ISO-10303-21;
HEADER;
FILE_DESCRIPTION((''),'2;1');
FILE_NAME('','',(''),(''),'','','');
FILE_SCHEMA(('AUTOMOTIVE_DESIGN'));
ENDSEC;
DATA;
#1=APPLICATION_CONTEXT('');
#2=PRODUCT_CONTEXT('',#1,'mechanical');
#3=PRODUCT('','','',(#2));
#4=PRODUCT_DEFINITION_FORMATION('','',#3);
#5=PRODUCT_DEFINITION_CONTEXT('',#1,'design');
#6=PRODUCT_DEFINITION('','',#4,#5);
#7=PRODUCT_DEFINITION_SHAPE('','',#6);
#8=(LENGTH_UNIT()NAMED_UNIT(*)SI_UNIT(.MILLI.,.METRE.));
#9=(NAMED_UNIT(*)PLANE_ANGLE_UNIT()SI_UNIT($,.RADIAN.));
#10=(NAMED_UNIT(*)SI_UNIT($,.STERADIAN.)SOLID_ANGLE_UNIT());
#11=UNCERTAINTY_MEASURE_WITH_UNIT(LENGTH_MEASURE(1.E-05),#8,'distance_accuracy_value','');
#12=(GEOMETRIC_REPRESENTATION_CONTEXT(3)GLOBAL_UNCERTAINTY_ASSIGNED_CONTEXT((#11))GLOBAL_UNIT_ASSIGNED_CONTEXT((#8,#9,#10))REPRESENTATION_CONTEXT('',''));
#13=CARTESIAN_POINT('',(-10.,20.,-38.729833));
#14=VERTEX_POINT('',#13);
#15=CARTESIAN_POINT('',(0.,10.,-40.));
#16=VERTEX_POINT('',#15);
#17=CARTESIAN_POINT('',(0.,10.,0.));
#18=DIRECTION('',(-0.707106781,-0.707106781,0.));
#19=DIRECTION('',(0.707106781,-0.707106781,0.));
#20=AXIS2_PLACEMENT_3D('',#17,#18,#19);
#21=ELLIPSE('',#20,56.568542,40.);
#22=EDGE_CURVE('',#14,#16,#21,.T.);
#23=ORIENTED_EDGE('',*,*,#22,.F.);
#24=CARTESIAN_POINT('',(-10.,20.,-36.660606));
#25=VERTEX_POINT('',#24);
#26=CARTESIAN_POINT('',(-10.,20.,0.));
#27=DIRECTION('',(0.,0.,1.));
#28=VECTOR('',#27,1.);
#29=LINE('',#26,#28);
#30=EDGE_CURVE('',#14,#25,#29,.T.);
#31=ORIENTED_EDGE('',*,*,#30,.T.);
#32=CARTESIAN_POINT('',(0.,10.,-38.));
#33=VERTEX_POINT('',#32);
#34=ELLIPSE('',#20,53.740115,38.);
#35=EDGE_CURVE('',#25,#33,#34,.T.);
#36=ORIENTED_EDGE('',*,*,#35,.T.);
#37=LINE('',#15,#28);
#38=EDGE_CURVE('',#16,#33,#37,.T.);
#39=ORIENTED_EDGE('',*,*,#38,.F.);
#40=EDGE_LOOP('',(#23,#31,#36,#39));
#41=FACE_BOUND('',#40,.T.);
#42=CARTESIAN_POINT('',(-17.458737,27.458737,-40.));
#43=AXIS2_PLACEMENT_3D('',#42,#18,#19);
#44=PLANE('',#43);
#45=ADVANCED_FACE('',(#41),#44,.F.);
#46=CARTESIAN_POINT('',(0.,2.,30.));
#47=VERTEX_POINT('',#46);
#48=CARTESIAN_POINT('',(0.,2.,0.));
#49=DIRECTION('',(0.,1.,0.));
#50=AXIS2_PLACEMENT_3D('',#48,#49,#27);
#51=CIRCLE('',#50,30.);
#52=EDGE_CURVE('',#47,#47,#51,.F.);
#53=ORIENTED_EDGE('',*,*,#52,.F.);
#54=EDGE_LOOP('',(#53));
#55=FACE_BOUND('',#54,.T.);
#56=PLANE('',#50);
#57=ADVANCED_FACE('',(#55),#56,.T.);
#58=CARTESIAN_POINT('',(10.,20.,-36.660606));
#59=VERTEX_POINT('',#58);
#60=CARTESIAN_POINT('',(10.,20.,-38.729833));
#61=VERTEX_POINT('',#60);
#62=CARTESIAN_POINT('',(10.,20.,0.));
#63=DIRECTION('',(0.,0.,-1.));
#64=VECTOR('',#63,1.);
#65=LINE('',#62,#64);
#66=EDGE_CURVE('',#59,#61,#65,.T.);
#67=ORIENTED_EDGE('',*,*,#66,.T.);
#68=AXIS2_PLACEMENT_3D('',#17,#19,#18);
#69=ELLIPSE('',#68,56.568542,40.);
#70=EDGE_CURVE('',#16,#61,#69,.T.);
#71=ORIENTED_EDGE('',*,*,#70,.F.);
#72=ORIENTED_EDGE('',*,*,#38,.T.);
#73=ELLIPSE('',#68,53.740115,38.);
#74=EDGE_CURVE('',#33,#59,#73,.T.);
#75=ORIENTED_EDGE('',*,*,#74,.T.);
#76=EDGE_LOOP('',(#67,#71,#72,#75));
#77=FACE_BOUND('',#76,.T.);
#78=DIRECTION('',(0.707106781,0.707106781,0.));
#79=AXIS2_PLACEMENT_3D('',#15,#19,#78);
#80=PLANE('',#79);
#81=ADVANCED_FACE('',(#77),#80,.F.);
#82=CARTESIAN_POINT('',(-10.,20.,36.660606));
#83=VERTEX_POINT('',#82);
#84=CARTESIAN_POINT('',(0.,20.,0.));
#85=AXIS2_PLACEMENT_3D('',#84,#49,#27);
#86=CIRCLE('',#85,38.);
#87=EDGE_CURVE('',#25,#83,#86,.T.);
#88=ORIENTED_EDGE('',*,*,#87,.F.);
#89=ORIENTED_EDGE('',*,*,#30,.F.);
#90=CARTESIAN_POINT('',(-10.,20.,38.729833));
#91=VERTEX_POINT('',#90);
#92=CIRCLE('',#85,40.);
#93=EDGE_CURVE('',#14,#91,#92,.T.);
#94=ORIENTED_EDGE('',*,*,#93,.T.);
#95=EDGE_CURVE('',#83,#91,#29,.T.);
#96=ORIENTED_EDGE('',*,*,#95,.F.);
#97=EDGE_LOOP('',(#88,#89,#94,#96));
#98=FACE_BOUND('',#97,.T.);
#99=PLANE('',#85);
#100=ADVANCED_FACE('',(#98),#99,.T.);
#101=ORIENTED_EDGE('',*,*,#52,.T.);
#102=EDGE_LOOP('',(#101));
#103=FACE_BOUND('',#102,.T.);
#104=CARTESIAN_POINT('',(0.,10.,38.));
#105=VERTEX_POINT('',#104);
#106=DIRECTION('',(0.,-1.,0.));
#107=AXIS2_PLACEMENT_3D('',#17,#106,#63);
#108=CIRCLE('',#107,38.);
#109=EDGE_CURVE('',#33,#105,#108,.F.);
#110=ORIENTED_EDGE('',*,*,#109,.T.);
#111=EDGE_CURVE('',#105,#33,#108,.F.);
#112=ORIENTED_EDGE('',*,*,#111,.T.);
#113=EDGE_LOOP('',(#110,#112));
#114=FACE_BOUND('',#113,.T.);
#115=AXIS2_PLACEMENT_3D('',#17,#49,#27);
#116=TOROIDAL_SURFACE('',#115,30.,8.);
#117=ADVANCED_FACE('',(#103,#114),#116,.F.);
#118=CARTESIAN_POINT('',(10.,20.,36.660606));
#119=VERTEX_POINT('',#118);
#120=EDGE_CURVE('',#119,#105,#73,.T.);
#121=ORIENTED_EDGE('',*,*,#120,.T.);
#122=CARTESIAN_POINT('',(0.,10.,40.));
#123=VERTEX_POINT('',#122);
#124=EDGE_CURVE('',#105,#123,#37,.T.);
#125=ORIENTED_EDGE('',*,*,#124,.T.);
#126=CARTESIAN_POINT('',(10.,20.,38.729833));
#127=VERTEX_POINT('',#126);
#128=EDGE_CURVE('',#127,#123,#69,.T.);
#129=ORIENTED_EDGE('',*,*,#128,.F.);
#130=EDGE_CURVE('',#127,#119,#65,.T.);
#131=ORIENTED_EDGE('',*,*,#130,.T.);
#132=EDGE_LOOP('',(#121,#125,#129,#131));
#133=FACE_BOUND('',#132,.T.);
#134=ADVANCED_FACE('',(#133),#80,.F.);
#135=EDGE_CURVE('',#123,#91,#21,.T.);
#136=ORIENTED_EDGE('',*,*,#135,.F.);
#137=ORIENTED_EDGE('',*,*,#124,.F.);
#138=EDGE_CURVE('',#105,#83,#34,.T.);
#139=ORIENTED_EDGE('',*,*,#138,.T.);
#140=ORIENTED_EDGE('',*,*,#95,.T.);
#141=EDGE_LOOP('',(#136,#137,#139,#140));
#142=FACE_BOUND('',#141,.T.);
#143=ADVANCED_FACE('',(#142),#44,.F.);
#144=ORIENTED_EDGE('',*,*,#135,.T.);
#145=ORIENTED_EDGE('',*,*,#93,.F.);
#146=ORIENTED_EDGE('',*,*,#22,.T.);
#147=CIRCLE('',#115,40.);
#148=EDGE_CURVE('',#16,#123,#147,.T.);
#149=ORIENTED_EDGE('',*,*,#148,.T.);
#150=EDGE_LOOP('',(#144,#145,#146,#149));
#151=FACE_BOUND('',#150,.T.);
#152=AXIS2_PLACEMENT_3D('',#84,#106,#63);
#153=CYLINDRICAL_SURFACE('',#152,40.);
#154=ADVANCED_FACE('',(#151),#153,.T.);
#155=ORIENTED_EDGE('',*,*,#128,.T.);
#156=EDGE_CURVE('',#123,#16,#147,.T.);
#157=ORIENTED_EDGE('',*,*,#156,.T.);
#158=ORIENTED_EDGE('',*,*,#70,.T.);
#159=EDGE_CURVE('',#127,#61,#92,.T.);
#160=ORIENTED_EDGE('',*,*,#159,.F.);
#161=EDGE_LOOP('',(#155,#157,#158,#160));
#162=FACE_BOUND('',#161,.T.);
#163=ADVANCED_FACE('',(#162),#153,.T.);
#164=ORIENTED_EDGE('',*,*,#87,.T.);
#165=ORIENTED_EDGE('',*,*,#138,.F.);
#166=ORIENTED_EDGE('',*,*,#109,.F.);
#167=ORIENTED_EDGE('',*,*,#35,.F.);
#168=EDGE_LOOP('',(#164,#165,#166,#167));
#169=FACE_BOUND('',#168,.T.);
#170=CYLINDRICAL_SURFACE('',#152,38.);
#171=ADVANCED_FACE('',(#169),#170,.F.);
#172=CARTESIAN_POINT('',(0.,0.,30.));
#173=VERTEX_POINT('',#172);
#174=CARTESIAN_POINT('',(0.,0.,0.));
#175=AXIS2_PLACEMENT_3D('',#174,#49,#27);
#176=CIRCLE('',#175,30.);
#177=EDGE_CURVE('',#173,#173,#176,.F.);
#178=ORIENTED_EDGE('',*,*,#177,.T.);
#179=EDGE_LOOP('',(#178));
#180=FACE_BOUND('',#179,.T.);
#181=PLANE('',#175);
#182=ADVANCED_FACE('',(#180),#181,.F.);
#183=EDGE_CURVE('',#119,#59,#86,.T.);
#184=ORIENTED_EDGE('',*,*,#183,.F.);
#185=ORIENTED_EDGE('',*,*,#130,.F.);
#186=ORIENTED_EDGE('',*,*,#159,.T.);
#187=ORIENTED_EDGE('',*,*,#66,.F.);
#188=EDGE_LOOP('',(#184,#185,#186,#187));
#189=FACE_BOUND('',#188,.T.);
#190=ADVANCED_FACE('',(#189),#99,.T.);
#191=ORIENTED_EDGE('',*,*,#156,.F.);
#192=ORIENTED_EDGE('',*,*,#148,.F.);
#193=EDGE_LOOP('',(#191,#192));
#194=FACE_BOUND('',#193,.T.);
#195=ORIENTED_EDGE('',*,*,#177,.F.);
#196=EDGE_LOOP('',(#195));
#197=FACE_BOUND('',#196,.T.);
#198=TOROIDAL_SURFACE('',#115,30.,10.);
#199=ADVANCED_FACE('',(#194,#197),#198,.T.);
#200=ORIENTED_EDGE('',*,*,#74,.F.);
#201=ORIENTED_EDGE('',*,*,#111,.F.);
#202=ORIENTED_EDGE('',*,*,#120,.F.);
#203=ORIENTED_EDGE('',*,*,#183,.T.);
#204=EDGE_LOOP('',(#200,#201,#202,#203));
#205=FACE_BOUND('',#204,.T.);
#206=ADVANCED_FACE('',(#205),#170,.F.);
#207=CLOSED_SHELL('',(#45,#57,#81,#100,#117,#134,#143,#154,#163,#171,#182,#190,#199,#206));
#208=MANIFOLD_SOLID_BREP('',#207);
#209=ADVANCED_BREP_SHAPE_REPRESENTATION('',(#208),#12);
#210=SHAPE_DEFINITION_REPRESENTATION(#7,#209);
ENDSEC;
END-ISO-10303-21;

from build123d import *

# Parameters (mm, degrees)
SKETCH1_R               = 40
BOSS_EXTRUDE1_DEPTH     = 20
FILLET1_R               = 10
SHELL1_T                = -2
CUT_EXTRUDE1_DEPTH      = 61.000000133
CUT_EXTRUDE1_DEPTH_BACK = 61.000000133


with BuildPart() as part:
    # Sketch1 → Boss-Extrude1 (new body)
    with BuildSketch(Plane(origin=(0, 0, 0), x_dir=(1, 0, 0), z_dir=(0, 1, 0))):
        with Locations(Location((0, 0, 0), (0, 0, 270))):
            Circle(SKETCH1_R)
    extrude(amount=BOSS_EXTRUDE1_DEPTH)

    # Fillet1
    fillet1_edges = [part.edges().sort_by_distance(p)[0] for p in [
        (0, 0, -40),
    ]]
    fillet(fillet1_edges, radius=FILLET1_R)

    # Shell1
    shell1_openings = [part.faces().sort_by_distance(p)[0] for p in [
        (0, 20, 0),
    ]]
    offset(amount=SHELL1_T, openings=shell1_openings, kind=Kind.INTERSECTION)

    # Sketch2 → Cut-Extrude1 (cut, two sides: drawn at the far end of the back side and taken through both)
    with BuildSketch(Plane.XY.offset(-CUT_EXTRUDE1_DEPTH_BACK)):
        Polygon((-17.458737084, 27.458737084), (0, 10), (20.279769331, 30.279769331), align=None)
    extrude(amount=CUT_EXTRUDE1_DEPTH + CUT_EXTRUDE1_DEPTH_BACK, mode=Mode.SUBTRACT)


solid = part.part
